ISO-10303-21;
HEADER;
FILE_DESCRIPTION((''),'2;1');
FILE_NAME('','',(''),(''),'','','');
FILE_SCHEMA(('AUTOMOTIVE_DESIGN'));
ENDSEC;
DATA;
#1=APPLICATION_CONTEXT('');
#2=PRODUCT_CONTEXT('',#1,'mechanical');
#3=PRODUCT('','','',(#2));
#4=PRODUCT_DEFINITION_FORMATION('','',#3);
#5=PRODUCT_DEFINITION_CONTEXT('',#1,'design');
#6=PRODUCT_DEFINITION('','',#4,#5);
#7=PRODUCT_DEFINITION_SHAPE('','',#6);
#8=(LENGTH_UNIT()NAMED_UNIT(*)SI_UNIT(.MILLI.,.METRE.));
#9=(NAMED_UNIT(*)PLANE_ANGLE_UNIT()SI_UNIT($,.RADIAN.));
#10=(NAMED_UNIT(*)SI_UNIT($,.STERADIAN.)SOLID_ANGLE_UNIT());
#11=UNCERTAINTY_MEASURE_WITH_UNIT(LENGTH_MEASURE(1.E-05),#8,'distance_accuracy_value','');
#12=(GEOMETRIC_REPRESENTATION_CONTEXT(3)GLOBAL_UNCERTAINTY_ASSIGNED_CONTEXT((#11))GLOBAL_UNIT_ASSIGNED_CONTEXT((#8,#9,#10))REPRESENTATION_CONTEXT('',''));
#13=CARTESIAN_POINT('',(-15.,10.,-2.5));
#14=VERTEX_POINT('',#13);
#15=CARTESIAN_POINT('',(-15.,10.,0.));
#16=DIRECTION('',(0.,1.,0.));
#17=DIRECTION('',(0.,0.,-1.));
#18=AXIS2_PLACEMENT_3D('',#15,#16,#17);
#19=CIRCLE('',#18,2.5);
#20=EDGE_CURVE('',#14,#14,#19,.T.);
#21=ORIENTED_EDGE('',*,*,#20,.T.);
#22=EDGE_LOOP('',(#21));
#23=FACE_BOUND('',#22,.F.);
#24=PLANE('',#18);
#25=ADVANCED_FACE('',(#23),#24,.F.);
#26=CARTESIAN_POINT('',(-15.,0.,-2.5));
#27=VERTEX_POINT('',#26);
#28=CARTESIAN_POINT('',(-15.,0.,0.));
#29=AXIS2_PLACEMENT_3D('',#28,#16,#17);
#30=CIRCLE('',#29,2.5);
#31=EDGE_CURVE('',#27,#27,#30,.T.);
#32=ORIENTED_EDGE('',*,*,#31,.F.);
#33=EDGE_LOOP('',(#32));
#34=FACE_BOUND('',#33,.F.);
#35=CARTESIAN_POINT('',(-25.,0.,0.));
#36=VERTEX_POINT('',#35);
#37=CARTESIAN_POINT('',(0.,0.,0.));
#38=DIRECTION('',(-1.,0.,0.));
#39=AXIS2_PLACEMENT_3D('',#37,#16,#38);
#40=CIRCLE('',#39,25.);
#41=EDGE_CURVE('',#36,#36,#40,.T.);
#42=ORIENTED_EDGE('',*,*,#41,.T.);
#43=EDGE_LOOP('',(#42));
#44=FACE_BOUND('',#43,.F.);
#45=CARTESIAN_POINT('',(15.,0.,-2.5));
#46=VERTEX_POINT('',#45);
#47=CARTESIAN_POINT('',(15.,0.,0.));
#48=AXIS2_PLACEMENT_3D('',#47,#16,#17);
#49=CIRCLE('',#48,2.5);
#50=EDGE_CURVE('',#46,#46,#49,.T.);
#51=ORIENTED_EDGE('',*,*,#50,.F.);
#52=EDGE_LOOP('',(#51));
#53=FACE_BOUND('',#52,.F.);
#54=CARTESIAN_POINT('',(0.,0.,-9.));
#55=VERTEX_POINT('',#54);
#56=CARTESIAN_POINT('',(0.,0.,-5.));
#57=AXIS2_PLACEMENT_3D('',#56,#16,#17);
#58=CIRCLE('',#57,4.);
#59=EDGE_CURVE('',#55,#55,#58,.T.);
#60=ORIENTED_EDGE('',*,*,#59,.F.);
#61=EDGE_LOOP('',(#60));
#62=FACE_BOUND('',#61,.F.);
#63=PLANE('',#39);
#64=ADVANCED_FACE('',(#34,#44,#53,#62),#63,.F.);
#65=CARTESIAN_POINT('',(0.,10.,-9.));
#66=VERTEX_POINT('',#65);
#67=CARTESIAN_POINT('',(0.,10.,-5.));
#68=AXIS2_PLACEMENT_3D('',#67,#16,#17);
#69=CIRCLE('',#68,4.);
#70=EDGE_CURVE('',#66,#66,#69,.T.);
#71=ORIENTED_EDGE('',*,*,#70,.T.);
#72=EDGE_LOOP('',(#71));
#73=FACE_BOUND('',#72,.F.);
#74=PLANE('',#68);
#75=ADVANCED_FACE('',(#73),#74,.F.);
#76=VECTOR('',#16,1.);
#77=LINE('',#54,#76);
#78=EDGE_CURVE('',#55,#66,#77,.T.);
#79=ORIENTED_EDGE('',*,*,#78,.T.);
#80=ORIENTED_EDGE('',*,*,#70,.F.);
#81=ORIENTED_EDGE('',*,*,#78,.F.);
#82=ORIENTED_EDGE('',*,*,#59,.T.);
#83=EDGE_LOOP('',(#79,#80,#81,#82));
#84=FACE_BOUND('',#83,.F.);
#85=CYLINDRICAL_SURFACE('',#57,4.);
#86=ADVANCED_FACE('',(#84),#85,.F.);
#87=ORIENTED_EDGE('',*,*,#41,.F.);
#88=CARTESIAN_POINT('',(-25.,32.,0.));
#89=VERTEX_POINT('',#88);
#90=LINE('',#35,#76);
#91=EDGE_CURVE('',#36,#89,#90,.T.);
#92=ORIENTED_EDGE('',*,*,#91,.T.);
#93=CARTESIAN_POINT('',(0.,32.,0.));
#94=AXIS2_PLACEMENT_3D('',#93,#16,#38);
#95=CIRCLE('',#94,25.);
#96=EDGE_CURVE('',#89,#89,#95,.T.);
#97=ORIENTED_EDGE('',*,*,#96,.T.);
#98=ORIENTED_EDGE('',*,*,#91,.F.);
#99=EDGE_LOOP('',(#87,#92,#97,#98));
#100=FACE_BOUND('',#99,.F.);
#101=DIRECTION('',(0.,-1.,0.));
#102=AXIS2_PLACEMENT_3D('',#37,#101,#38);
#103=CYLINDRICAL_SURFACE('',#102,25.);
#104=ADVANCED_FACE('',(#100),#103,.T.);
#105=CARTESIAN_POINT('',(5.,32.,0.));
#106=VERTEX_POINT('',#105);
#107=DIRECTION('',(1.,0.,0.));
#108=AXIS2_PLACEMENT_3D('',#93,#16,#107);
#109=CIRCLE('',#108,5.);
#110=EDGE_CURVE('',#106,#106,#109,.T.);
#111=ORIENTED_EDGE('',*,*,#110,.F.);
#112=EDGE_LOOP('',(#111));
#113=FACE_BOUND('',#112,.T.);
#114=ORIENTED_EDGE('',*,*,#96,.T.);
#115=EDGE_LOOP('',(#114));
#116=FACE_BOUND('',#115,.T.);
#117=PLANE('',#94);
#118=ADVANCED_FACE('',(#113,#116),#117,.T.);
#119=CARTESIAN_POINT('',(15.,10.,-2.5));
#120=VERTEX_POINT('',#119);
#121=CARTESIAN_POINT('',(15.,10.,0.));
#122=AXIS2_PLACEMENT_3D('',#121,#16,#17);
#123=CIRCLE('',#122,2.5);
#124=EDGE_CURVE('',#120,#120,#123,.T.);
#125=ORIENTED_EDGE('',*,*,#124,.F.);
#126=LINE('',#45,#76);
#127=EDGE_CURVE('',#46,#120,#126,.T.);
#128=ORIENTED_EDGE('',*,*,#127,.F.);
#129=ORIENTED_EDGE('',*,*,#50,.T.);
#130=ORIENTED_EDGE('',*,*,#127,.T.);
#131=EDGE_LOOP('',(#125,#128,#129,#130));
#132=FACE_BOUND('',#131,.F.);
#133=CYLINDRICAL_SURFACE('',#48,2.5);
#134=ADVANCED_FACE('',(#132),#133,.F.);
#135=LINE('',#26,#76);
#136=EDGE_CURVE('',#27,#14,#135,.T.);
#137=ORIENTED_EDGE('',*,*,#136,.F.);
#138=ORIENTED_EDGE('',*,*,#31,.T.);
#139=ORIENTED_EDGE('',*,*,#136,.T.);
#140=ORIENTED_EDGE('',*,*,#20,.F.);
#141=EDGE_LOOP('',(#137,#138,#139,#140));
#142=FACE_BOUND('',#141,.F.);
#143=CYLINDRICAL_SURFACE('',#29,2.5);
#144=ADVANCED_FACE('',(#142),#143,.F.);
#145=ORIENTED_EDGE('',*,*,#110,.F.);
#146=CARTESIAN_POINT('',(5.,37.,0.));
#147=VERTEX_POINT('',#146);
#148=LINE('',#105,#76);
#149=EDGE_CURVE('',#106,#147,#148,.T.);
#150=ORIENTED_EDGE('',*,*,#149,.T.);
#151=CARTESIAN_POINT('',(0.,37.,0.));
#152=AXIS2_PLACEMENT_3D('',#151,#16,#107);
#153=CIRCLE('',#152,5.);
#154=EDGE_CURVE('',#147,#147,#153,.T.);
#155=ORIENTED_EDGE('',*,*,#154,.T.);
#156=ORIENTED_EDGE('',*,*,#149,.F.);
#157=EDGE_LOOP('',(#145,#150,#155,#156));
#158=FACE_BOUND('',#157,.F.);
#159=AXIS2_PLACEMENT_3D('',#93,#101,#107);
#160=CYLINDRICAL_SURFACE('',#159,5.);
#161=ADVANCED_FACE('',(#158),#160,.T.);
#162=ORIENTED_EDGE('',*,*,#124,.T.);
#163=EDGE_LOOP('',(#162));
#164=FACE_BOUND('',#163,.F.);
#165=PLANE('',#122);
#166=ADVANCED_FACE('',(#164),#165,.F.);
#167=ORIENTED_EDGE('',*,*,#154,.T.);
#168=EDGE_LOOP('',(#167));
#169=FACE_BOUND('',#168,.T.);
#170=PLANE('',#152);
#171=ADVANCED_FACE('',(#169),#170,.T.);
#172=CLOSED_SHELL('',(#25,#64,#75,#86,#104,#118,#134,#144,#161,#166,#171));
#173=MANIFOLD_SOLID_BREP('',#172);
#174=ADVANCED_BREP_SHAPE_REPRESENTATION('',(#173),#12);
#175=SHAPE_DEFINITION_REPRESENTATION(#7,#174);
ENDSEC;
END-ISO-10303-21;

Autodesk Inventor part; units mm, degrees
ref_plane "YZ Plane" through (0, 0, 0) normal (1, 0, 0) x (0, 1, 0)
ref_plane "XZ Plane" through (0, 0, 0) normal (0, 1, 0) x (-1, 0, 0)
ref_plane "XY Plane" through (0, 0, 0) normal (0, 0, 1) x (1, 0, 0)
sketch "Sketch1" plane through (0, 0, 0) normal (0, 1, 0) x (-1, 0, 0)
  circle A0 centre (0, 0) radius 25
  dimension "d0" = 50
extrude "Extrusion1" add sketch "Sketch1" along normal blind 32
sketch "Sketch2" plane through (0, 32, 0) normal (0, 1, 0) x (1, 0, 0)
  circle A0 centre (0, 0) radius 5
  dimension "d3" = 10
extrude "Extrusion2" add sketch "Sketch2" along normal blind 5
sketch "Sketch3" plane through (0, 0, 0) normal (0, -1, 0) x (1, 0, 0)
  circle A0 centre (0, 0) radius 15
  circle A1 centre (0, 0) radius 5 projected
  circle A2 centre (0, 0) radius 5
  point P0 (15, 0)
  point P1 (-15, 0)
  point P2 (0, -5)
  dimension "d7" = 10
  dimension "d6" = 30
hole "Hole1" at (15, 0, 0) at (-15, 0, 0) direction (0, 1, 0) diameter 5 depth 10
hole "Hole2" at (0, 0, -5) direction (0, 1, 0) diameter 8 depth 10
properties part number "stackLightBase" material "ABS Plastic"
